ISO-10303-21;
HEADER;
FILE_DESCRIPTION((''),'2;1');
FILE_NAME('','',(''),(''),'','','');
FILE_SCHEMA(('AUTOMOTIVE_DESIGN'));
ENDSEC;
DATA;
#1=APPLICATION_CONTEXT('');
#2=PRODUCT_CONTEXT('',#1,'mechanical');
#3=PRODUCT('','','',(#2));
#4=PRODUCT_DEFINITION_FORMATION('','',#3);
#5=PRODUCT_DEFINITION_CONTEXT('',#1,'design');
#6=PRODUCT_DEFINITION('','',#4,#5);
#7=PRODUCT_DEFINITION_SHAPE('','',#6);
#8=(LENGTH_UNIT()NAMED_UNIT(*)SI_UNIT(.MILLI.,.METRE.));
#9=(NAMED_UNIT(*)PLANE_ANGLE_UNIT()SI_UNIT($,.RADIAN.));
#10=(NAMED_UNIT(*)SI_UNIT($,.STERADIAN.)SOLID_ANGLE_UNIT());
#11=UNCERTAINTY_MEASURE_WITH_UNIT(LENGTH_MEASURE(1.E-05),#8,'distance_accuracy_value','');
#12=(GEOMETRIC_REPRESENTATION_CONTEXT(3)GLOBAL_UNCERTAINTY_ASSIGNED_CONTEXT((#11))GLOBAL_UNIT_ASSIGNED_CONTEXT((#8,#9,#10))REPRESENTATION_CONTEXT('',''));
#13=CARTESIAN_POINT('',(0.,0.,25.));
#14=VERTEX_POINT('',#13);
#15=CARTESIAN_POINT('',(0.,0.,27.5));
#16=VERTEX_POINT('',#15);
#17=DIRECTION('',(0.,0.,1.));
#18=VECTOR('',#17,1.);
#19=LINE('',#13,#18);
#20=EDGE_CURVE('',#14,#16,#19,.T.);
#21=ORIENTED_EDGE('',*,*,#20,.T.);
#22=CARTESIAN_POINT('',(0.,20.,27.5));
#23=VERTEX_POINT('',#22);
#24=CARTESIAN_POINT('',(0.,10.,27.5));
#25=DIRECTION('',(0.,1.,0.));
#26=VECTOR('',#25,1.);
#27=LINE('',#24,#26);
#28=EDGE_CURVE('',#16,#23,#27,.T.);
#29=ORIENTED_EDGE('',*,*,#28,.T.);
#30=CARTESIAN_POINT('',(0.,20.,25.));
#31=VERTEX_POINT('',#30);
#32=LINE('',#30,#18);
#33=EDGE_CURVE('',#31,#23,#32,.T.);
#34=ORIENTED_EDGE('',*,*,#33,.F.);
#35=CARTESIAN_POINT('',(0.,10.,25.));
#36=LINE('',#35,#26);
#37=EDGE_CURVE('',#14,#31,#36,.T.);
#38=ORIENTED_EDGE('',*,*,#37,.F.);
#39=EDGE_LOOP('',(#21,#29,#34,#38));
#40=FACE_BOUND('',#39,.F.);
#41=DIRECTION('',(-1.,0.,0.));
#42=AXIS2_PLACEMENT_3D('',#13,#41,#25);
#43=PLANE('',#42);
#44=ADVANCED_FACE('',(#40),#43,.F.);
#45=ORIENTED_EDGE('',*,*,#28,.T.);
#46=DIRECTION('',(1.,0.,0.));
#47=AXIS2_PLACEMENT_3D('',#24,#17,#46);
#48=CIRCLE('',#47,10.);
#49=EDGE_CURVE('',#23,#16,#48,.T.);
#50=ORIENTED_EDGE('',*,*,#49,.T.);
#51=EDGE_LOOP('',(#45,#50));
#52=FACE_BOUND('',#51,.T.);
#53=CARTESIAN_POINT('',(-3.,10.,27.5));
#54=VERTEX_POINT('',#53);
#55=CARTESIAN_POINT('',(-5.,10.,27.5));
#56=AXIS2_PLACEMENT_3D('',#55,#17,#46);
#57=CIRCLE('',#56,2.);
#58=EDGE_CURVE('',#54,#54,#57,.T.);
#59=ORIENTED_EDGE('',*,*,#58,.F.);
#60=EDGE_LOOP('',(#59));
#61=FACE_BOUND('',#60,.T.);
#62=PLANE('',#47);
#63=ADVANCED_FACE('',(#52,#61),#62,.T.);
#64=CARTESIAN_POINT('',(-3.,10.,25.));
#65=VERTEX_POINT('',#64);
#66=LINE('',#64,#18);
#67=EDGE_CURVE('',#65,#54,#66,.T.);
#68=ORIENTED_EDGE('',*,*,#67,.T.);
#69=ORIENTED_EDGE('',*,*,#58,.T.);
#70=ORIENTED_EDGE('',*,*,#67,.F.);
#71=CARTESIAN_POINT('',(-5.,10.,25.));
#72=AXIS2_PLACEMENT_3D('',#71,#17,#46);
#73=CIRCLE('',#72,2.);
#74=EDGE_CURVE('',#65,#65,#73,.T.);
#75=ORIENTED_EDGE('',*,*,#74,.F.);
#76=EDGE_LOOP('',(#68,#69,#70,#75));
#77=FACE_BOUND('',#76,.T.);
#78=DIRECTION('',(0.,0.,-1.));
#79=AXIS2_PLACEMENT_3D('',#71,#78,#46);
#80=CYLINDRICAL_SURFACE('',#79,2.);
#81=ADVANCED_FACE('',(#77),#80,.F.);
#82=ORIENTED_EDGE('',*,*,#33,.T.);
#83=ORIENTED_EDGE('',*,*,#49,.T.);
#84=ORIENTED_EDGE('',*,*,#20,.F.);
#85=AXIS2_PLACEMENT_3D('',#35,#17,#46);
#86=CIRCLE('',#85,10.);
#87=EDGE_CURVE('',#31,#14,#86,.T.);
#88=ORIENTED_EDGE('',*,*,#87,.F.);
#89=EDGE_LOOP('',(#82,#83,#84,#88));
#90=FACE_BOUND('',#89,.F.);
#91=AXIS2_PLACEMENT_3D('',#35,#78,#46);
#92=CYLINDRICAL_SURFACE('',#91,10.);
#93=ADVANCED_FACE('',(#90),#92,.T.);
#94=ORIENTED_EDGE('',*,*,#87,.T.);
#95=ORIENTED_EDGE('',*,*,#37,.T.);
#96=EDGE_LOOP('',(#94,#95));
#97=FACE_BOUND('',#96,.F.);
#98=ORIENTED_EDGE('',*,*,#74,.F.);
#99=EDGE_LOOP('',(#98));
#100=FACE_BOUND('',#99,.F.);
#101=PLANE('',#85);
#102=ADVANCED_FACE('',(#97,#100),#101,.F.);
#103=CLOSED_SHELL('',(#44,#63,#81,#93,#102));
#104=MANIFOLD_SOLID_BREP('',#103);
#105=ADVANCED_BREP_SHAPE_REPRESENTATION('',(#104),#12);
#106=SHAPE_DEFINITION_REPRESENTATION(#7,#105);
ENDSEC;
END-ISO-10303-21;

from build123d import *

# Parameters (mm, degrees)
BOX010_W          = 10
BOX010_H          = 20
BOX010_DEPTH      = 2.5
CYLINDER004_R     = 2
CYLINDER004_DEPTH = 2.5
CYLINDER005_R     = 10
CYLINDER005_DEPTH = 2.5


with BuildPart() as cubo002:
    # Box010 → Box010 (new body)
    with BuildSketch(Plane.XY.offset(25)):
        with Locations((5, 10)):
            Rectangle(BOX010_W, BOX010_H)
    extrude(amount=BOX010_DEPTH)


with BuildPart() as cilindro004:
    # Cylinder004 → Cylinder004 (new body)
    with BuildSketch(Plane(origin=(-5, 10, 25), x_dir=(1, 0, 0), z_dir=(0, 0, 1))):
        Circle(CYLINDER004_R)
    extrude(amount=CYLINDER004_DEPTH)


with BuildPart() as cut010:
    # Cylinder005 → Cylinder005 (new body)
    with BuildSketch(Plane(origin=(0, 10, 25), x_dir=(1, 0, 0), z_dir=(0, 0, 1))):
        Circle(CYLINDER005_R)
    extrude(amount=CYLINDER005_DEPTH)

    # Cut009: cut Cilindro004
    add(cilindro004.part, mode=Mode.SUBTRACT)

    # Cut010: cut Cubo002
    add(cubo002.part, mode=Mode.SUBTRACT)


solid = cut010.part
